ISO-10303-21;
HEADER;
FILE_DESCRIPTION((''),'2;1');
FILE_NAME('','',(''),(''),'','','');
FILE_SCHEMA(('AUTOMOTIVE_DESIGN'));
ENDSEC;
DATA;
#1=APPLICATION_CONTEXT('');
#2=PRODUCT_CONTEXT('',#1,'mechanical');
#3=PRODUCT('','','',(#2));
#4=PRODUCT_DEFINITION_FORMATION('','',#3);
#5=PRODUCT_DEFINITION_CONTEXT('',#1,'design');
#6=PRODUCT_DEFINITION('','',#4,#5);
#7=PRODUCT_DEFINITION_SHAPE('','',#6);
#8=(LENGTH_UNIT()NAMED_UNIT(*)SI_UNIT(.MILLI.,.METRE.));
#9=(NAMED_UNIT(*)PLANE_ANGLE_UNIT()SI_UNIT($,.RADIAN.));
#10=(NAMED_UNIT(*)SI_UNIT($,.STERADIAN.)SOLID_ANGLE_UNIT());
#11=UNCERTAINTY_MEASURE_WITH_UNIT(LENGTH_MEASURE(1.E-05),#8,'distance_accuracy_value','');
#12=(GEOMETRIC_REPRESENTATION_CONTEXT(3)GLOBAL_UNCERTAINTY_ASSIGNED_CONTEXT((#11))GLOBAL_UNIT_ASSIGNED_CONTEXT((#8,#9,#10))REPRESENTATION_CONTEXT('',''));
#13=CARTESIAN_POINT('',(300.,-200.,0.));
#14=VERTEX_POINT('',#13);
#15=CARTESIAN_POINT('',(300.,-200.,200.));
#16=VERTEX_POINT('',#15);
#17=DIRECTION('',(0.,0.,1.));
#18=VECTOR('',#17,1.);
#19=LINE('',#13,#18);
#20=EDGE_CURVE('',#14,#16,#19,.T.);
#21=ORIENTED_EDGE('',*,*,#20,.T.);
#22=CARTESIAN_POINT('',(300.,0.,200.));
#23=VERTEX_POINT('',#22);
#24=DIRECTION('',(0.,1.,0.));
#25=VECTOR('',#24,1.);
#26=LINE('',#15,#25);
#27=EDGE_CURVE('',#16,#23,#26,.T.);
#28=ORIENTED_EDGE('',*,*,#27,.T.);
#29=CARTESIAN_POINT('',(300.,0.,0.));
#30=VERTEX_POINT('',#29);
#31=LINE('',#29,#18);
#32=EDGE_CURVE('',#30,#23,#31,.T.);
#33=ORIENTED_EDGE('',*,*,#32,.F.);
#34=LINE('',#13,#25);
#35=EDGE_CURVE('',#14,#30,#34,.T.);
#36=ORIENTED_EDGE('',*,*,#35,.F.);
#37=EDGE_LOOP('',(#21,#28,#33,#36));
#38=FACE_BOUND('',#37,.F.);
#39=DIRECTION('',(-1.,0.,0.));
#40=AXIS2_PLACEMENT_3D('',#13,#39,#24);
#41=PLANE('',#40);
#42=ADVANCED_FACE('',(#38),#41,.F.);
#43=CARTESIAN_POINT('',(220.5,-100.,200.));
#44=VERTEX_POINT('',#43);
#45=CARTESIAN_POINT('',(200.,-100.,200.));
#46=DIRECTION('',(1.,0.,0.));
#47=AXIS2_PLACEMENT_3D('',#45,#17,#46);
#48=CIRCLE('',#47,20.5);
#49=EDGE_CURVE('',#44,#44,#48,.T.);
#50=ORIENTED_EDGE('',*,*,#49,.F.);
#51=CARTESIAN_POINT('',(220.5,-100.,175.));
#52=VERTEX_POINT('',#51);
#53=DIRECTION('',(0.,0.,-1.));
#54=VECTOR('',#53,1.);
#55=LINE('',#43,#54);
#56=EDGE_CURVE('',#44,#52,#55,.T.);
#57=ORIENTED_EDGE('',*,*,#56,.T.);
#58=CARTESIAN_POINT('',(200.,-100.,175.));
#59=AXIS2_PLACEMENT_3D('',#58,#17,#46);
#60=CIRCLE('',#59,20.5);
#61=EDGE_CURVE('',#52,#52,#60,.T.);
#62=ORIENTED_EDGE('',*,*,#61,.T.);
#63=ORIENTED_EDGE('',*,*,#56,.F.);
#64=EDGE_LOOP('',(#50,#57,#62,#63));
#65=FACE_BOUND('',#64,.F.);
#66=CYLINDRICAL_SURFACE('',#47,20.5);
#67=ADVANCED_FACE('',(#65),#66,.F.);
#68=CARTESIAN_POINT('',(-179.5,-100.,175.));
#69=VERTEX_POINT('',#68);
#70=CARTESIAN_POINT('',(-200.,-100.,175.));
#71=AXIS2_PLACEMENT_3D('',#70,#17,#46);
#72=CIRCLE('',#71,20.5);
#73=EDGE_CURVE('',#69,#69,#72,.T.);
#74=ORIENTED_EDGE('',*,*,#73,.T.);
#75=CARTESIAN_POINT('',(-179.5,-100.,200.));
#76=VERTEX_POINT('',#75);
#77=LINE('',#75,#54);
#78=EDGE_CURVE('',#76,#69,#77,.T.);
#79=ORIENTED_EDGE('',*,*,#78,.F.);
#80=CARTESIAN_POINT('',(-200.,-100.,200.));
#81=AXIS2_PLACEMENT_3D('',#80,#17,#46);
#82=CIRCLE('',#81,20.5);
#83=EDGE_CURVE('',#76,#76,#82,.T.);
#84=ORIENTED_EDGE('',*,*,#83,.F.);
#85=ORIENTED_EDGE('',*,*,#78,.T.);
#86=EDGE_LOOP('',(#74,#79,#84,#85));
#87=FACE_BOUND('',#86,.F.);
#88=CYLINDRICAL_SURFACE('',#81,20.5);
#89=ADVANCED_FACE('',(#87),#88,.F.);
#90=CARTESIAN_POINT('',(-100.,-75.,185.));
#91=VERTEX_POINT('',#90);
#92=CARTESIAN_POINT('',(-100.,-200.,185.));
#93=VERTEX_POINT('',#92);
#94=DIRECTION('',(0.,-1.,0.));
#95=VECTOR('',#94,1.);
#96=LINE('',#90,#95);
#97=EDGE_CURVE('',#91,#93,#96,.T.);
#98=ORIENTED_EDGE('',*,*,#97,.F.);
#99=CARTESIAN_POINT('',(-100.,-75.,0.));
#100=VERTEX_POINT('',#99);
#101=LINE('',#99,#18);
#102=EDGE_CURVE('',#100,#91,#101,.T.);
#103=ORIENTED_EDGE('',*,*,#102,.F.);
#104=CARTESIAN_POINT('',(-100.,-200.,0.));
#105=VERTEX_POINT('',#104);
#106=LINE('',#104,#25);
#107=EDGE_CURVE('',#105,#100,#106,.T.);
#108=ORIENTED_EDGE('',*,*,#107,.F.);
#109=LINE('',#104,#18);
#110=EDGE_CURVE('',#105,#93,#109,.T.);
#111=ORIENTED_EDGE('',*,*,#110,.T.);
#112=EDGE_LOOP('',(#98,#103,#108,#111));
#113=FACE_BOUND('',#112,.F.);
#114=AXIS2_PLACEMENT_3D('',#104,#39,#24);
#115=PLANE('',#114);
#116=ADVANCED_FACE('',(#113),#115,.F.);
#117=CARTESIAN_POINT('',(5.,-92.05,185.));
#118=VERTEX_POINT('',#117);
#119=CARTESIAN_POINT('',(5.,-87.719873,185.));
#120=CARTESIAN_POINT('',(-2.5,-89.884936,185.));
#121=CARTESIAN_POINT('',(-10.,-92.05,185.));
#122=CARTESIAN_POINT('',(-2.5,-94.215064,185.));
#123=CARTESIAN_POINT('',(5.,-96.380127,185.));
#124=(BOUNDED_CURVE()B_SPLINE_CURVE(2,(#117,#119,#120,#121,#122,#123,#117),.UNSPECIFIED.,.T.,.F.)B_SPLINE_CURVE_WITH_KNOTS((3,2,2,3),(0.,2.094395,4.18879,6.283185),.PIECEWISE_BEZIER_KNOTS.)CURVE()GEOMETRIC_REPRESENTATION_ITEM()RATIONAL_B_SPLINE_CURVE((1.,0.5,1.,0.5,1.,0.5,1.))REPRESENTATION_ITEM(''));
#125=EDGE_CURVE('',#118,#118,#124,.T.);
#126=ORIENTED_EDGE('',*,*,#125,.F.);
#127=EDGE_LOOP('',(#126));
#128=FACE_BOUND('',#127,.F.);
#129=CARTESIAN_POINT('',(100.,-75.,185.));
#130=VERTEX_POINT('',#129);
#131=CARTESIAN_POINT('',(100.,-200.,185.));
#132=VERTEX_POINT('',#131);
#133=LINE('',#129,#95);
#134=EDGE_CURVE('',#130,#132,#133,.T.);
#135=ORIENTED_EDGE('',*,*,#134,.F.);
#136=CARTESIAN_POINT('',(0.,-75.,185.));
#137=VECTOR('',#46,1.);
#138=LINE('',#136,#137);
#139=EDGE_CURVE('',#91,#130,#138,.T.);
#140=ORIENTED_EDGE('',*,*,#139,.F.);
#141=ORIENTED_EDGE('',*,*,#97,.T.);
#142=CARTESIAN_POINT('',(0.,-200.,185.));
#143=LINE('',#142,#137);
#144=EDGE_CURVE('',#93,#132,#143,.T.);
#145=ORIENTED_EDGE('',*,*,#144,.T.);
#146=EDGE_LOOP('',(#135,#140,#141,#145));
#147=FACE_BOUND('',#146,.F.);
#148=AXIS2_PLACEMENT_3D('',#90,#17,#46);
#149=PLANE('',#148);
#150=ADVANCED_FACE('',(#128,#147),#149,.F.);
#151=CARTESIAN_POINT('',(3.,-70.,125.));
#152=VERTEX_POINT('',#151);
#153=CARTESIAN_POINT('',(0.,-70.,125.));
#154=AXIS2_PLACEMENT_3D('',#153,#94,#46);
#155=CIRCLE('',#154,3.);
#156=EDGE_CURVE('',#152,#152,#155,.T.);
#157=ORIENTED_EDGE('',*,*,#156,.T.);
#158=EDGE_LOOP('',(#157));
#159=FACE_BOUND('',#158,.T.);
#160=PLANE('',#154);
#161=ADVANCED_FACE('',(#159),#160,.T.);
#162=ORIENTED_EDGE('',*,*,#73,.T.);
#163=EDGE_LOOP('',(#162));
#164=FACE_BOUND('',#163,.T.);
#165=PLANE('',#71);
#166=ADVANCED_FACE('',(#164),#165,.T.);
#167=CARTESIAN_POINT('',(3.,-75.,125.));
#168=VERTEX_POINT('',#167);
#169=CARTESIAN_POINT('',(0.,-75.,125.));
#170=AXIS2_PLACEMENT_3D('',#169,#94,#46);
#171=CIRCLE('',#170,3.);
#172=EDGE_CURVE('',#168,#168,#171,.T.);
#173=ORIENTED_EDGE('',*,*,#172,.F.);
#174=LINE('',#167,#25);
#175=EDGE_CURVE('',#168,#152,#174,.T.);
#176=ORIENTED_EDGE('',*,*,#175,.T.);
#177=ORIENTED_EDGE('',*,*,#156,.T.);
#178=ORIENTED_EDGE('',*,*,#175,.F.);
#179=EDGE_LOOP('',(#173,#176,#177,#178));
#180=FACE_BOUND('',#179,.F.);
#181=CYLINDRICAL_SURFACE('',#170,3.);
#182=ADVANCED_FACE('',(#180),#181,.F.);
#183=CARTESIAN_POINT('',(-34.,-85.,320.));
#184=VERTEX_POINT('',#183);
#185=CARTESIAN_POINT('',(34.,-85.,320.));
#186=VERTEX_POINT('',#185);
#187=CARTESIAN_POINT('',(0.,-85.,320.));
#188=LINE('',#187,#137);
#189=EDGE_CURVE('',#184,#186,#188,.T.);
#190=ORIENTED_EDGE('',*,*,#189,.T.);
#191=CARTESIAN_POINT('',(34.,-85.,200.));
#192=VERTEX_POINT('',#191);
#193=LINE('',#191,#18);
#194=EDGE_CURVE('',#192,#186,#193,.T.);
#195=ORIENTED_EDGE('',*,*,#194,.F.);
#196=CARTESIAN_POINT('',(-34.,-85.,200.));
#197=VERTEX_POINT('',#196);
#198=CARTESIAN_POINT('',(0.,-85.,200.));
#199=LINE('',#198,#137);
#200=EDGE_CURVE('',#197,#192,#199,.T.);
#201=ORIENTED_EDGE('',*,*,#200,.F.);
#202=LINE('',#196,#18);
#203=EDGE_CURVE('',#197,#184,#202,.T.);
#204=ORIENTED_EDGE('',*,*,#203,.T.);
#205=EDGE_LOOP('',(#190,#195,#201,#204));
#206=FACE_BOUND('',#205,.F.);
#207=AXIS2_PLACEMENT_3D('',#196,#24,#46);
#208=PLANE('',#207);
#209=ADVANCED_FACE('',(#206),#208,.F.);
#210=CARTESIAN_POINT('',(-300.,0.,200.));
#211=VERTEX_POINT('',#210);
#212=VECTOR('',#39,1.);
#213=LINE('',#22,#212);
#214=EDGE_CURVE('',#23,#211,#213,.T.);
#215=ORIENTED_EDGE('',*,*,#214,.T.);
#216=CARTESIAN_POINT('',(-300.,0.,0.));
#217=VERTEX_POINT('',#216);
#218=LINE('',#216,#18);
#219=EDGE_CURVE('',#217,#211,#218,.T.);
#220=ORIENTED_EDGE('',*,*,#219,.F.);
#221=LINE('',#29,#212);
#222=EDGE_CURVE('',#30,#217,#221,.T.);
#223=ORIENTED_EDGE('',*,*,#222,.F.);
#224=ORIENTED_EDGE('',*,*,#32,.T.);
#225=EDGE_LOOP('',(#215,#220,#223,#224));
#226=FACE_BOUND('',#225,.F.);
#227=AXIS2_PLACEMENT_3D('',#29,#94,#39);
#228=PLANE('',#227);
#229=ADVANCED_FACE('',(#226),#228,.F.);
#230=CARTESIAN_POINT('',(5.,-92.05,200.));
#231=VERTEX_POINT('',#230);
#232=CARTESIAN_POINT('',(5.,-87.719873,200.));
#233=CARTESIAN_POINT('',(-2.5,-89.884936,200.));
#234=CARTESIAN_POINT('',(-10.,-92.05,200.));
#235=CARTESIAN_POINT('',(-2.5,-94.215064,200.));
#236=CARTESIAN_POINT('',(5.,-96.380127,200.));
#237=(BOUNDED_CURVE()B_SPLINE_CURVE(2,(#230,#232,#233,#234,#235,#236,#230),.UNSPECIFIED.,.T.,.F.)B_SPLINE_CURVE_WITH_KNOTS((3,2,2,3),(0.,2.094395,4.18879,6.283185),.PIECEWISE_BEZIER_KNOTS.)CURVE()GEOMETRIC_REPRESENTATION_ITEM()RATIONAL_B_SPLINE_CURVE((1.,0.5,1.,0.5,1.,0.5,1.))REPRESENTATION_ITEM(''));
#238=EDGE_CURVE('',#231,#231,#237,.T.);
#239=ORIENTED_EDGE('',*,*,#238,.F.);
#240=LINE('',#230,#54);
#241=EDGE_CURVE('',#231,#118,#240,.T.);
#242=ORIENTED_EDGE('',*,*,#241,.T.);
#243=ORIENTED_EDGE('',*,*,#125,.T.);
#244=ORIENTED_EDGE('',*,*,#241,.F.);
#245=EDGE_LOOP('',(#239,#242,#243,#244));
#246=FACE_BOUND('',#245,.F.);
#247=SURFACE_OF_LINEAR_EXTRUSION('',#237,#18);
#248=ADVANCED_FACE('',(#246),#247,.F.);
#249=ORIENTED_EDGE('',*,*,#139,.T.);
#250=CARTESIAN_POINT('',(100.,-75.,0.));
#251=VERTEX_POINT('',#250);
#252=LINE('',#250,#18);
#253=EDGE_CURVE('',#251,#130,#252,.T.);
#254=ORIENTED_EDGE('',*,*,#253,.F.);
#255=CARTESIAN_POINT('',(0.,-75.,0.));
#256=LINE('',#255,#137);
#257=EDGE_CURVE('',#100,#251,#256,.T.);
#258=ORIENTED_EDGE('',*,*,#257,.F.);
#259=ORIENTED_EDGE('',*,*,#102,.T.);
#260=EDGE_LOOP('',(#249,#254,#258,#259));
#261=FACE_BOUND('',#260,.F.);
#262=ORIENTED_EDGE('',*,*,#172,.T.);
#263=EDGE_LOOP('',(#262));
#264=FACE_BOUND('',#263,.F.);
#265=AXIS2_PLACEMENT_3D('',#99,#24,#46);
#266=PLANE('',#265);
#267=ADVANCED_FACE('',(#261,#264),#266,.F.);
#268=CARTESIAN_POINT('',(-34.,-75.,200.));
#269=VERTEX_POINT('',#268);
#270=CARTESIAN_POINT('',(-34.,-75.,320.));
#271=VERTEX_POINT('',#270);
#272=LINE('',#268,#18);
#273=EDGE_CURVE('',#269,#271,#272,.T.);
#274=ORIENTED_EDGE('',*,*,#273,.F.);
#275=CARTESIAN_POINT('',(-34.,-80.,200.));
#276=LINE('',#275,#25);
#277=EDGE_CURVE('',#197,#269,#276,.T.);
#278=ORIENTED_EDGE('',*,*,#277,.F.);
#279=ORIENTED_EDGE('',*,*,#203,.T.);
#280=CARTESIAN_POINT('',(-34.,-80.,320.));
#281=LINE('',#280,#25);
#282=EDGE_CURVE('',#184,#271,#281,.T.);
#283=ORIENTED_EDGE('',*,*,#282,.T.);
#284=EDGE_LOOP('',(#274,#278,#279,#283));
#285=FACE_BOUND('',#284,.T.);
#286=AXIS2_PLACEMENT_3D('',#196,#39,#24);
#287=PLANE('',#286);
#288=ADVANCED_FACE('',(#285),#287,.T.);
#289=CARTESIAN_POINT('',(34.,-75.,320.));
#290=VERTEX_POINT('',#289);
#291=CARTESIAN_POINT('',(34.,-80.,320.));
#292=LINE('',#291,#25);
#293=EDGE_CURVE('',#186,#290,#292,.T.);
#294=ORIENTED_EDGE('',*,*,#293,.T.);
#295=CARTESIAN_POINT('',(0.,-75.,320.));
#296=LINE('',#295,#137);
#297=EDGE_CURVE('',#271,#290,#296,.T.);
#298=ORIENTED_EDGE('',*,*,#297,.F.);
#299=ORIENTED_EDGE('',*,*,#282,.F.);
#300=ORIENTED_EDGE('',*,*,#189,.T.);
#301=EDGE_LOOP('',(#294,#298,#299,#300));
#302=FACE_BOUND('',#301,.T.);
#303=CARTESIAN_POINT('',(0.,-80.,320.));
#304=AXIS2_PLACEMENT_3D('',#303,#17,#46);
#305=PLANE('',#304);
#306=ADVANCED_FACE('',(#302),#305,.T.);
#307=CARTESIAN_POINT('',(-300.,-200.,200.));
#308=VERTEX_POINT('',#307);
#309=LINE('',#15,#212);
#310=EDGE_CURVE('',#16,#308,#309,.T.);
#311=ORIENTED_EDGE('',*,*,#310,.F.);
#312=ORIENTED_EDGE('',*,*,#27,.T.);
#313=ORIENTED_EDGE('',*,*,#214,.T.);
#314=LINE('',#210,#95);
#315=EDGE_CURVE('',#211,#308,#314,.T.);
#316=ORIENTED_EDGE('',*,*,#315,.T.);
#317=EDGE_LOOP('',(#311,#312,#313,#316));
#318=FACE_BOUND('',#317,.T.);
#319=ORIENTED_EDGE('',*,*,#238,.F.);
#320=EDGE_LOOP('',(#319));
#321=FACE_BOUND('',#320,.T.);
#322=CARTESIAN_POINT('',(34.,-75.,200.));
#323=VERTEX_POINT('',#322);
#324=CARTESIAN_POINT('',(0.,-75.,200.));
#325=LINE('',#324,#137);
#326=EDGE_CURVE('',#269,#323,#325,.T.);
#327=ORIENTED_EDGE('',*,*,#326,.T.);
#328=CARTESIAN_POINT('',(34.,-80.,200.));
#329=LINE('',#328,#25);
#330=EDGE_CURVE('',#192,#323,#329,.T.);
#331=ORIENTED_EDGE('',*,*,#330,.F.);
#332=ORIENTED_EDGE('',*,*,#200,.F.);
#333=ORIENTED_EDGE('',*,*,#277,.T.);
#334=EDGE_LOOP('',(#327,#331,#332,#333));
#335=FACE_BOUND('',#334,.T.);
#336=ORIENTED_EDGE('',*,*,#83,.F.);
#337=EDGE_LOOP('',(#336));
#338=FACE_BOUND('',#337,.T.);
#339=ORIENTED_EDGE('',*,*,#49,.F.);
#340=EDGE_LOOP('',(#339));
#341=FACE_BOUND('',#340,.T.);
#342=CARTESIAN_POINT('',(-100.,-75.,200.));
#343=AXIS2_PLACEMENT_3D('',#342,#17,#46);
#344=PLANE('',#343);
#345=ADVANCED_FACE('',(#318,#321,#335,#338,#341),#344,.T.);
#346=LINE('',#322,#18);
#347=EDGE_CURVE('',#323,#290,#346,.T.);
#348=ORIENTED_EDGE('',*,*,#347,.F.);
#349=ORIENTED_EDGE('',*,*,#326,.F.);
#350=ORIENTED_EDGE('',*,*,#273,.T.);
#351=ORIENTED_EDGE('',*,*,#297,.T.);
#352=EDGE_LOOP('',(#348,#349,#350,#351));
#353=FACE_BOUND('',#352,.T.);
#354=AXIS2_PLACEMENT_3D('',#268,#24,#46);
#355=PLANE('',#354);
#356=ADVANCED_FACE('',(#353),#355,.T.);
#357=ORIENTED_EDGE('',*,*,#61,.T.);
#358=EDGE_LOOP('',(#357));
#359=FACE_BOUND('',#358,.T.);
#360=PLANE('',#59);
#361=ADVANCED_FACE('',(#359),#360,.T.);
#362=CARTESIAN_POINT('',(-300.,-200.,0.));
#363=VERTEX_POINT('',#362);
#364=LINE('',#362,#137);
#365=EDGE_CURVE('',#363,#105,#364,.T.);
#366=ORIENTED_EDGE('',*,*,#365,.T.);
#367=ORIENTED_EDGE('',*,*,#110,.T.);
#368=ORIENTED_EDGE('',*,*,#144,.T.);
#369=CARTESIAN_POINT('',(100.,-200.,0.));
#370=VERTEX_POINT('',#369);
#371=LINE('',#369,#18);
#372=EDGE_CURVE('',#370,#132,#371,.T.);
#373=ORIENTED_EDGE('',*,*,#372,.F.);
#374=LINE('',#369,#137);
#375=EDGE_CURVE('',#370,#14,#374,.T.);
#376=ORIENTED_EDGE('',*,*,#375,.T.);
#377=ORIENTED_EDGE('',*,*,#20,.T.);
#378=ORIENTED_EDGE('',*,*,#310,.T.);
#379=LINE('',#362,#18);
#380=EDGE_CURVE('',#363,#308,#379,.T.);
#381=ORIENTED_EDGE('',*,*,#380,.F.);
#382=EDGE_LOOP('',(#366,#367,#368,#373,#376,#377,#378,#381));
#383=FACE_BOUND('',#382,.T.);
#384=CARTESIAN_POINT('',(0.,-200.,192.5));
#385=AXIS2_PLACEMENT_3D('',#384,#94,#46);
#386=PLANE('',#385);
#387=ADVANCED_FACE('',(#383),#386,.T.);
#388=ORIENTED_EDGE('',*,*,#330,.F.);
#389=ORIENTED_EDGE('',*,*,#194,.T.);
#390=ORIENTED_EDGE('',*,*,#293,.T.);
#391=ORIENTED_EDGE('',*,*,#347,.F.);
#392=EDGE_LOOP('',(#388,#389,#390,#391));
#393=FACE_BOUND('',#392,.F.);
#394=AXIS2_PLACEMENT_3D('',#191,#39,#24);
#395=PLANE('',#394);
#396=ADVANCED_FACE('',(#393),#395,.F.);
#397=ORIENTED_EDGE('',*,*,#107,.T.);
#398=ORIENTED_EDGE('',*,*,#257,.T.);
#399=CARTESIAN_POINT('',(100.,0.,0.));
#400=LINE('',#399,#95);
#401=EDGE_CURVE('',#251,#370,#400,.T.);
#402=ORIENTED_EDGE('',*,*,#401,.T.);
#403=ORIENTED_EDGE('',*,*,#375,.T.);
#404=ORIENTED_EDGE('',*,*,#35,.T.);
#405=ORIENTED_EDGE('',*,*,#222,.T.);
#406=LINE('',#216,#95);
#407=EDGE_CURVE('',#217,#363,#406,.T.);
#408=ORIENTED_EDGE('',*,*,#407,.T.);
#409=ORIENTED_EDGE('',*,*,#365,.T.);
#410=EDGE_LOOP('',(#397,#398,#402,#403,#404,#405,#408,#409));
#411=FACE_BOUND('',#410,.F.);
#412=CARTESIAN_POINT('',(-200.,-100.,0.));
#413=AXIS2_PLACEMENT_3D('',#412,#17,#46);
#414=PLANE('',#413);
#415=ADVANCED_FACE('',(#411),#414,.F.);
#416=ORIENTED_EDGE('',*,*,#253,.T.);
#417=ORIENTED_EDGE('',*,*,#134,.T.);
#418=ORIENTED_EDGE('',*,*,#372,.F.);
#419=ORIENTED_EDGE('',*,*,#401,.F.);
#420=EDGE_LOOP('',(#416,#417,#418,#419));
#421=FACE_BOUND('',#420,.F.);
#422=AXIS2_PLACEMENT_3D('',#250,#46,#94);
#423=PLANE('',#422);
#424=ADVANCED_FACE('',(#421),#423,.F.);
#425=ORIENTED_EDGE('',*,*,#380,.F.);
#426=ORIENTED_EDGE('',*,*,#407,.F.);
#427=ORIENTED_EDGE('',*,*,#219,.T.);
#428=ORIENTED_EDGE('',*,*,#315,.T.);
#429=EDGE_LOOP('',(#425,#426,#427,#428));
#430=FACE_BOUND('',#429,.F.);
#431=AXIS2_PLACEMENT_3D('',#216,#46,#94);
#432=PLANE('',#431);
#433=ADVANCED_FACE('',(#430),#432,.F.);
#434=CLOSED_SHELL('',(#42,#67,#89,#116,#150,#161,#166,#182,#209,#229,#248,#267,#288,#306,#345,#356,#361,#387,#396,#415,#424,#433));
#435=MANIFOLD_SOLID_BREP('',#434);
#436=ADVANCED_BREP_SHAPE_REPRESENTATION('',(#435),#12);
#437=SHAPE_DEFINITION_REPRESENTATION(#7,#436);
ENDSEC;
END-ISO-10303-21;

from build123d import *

# Parameters (mm, degrees)
F0_W      = 200
F0_H      = 75
F1_DEPTH  = 200
F2_W      = 200
F2_H      = 15
F3_DEPTH  = 125
F4_W      = 68
F4_H      = 10
F5_DEPTH  = 120
F7_DEPTH  = 15
F8_R      = 3
F9_DEPTH  = 5
F10_R     = 20.5
F11_DEPTH = 25


with BuildPart() as f1:
    # F0 (on Top) → F1 (new body)
    with BuildSketch(Plane.XY):
        Polygon((-100, -75), (-100, 0), (-300, 0), (-300, -200), (-100, -200), align=None)
        Polygon((300, 0), (100, 0), (100, -75), (100, -200), (300, -200), align=None)
        with Locations((0, -37.5)):
            Rectangle(F0_W, F0_H)
    extrude(amount=F1_DEPTH)

    # F2 (on face) → F3 (join)
    with BuildSketch(Plane.XZ.offset(75)):
        with Locations((0, 192.5)):
            Rectangle(F2_W, F2_H)
    extrude(amount=F3_DEPTH)

    # F4 (on face) → F5 (join)
    with BuildSketch(Plane.XY.offset(200)):
        with Locations((0, -80)):
            Rectangle(F4_W, F4_H)
    extrude(amount=F5_DEPTH)

    # F6 (on face) → F7 (cut, through all)
    with BuildSketch(Plane.XY.offset(200)):
        with BuildLine():
            add(Edge.make_bspline(
                [(5, -92.05), (5, -87.719873), (-2.5, -89.884936), (-10, -92.05), (-2.5, -94.215064), (5, -96.380127), (5, -92.05)],
                knots=[0, 0, 0, 2.094395, 2.094395, 4.18879, 4.18879, 6.283185, 6.283185, 6.283185], degree=2, weights=[1, 0.5, 1, 0.5, 1, 0.5, 1]))
        make_face()
    extrude(amount=-F7_DEPTH, mode=Mode.SUBTRACT)

    # F8 (on face) → F9 (cut)
    with BuildSketch(Plane.XZ.offset(75)):
        with Locations((0, 125)):
            Circle(F8_R)
    extrude(amount=-F9_DEPTH, mode=Mode.SUBTRACT)

    # F10 (on face) → F11 (cut)
    with BuildSketch(Plane.XY.offset(200)):
        with Locations((-200, -100)):
            Circle(F10_R)
        with Locations((200, -100)):
            Circle(F10_R)
    extrude(amount=-F11_DEPTH, mode=Mode.SUBTRACT)


solid = f1.part
